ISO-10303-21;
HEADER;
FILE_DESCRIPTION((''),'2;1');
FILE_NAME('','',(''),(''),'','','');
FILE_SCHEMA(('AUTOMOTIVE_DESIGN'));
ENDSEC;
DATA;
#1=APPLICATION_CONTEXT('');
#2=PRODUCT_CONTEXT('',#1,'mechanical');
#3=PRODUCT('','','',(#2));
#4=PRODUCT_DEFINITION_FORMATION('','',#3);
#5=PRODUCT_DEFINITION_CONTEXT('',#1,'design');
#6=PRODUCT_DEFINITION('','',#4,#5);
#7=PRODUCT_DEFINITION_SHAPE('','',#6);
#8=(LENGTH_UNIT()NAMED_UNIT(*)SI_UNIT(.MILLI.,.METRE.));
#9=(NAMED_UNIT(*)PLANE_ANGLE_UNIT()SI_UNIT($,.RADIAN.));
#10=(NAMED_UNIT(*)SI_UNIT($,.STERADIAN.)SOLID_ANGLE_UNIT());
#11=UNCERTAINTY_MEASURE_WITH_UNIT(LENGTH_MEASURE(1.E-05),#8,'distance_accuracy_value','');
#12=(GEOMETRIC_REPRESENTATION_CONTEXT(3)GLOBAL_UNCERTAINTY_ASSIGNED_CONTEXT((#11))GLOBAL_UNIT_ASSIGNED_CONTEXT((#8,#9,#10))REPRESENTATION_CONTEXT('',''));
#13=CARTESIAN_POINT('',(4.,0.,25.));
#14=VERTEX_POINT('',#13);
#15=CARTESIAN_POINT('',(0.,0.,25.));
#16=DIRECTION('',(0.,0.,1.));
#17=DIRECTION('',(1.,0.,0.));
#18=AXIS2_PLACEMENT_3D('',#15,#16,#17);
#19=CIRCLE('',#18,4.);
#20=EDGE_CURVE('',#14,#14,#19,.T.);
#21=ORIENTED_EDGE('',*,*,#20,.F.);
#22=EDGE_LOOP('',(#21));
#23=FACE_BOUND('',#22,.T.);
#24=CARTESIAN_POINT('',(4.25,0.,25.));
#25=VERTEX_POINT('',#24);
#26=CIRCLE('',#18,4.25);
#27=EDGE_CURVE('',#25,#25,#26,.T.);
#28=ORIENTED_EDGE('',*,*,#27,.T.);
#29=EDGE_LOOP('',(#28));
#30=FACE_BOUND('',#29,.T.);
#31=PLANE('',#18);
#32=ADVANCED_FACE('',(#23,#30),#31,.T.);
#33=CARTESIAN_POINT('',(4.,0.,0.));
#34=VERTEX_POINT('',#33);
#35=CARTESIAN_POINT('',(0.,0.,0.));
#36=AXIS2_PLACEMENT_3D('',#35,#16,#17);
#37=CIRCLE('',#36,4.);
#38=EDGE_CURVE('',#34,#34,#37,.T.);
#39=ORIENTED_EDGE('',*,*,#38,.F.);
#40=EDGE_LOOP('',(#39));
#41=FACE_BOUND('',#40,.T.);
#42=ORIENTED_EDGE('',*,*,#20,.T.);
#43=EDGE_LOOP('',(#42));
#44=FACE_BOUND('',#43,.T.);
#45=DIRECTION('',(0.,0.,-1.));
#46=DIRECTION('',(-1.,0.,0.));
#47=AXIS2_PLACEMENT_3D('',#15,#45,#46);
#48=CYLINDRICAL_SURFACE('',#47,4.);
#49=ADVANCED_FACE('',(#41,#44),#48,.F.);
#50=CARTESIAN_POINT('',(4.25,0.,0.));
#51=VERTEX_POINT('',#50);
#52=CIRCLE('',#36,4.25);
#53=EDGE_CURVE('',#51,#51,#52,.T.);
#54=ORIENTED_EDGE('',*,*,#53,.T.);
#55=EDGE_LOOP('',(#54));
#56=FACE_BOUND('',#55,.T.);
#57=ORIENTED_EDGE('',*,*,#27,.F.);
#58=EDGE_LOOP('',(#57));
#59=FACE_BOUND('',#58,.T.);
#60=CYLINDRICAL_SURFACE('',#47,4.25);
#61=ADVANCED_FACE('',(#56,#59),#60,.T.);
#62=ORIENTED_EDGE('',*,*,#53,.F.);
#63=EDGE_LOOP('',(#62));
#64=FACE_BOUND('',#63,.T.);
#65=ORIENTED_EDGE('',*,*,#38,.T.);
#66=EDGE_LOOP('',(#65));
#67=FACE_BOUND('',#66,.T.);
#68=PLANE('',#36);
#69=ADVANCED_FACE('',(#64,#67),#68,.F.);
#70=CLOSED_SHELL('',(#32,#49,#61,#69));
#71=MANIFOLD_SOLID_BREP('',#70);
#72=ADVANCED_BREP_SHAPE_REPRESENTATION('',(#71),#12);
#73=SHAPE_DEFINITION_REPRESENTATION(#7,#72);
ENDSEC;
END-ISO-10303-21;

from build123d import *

# Parameters (mm, degrees)
SKETCH1_R           = 4.25
SKETCH1_R_2         = 4
BOSS_EXTRUDE1_DEPTH = 25


with BuildPart() as part:
    # Sketch1 → Boss-Extrude1 (new body)
    with BuildSketch(Plane.XY):
        Circle(SKETCH1_R)
        Circle(SKETCH1_R_2, mode=Mode.SUBTRACT)
    extrude(amount=BOSS_EXTRUDE1_DEPTH)


solid = part.part
